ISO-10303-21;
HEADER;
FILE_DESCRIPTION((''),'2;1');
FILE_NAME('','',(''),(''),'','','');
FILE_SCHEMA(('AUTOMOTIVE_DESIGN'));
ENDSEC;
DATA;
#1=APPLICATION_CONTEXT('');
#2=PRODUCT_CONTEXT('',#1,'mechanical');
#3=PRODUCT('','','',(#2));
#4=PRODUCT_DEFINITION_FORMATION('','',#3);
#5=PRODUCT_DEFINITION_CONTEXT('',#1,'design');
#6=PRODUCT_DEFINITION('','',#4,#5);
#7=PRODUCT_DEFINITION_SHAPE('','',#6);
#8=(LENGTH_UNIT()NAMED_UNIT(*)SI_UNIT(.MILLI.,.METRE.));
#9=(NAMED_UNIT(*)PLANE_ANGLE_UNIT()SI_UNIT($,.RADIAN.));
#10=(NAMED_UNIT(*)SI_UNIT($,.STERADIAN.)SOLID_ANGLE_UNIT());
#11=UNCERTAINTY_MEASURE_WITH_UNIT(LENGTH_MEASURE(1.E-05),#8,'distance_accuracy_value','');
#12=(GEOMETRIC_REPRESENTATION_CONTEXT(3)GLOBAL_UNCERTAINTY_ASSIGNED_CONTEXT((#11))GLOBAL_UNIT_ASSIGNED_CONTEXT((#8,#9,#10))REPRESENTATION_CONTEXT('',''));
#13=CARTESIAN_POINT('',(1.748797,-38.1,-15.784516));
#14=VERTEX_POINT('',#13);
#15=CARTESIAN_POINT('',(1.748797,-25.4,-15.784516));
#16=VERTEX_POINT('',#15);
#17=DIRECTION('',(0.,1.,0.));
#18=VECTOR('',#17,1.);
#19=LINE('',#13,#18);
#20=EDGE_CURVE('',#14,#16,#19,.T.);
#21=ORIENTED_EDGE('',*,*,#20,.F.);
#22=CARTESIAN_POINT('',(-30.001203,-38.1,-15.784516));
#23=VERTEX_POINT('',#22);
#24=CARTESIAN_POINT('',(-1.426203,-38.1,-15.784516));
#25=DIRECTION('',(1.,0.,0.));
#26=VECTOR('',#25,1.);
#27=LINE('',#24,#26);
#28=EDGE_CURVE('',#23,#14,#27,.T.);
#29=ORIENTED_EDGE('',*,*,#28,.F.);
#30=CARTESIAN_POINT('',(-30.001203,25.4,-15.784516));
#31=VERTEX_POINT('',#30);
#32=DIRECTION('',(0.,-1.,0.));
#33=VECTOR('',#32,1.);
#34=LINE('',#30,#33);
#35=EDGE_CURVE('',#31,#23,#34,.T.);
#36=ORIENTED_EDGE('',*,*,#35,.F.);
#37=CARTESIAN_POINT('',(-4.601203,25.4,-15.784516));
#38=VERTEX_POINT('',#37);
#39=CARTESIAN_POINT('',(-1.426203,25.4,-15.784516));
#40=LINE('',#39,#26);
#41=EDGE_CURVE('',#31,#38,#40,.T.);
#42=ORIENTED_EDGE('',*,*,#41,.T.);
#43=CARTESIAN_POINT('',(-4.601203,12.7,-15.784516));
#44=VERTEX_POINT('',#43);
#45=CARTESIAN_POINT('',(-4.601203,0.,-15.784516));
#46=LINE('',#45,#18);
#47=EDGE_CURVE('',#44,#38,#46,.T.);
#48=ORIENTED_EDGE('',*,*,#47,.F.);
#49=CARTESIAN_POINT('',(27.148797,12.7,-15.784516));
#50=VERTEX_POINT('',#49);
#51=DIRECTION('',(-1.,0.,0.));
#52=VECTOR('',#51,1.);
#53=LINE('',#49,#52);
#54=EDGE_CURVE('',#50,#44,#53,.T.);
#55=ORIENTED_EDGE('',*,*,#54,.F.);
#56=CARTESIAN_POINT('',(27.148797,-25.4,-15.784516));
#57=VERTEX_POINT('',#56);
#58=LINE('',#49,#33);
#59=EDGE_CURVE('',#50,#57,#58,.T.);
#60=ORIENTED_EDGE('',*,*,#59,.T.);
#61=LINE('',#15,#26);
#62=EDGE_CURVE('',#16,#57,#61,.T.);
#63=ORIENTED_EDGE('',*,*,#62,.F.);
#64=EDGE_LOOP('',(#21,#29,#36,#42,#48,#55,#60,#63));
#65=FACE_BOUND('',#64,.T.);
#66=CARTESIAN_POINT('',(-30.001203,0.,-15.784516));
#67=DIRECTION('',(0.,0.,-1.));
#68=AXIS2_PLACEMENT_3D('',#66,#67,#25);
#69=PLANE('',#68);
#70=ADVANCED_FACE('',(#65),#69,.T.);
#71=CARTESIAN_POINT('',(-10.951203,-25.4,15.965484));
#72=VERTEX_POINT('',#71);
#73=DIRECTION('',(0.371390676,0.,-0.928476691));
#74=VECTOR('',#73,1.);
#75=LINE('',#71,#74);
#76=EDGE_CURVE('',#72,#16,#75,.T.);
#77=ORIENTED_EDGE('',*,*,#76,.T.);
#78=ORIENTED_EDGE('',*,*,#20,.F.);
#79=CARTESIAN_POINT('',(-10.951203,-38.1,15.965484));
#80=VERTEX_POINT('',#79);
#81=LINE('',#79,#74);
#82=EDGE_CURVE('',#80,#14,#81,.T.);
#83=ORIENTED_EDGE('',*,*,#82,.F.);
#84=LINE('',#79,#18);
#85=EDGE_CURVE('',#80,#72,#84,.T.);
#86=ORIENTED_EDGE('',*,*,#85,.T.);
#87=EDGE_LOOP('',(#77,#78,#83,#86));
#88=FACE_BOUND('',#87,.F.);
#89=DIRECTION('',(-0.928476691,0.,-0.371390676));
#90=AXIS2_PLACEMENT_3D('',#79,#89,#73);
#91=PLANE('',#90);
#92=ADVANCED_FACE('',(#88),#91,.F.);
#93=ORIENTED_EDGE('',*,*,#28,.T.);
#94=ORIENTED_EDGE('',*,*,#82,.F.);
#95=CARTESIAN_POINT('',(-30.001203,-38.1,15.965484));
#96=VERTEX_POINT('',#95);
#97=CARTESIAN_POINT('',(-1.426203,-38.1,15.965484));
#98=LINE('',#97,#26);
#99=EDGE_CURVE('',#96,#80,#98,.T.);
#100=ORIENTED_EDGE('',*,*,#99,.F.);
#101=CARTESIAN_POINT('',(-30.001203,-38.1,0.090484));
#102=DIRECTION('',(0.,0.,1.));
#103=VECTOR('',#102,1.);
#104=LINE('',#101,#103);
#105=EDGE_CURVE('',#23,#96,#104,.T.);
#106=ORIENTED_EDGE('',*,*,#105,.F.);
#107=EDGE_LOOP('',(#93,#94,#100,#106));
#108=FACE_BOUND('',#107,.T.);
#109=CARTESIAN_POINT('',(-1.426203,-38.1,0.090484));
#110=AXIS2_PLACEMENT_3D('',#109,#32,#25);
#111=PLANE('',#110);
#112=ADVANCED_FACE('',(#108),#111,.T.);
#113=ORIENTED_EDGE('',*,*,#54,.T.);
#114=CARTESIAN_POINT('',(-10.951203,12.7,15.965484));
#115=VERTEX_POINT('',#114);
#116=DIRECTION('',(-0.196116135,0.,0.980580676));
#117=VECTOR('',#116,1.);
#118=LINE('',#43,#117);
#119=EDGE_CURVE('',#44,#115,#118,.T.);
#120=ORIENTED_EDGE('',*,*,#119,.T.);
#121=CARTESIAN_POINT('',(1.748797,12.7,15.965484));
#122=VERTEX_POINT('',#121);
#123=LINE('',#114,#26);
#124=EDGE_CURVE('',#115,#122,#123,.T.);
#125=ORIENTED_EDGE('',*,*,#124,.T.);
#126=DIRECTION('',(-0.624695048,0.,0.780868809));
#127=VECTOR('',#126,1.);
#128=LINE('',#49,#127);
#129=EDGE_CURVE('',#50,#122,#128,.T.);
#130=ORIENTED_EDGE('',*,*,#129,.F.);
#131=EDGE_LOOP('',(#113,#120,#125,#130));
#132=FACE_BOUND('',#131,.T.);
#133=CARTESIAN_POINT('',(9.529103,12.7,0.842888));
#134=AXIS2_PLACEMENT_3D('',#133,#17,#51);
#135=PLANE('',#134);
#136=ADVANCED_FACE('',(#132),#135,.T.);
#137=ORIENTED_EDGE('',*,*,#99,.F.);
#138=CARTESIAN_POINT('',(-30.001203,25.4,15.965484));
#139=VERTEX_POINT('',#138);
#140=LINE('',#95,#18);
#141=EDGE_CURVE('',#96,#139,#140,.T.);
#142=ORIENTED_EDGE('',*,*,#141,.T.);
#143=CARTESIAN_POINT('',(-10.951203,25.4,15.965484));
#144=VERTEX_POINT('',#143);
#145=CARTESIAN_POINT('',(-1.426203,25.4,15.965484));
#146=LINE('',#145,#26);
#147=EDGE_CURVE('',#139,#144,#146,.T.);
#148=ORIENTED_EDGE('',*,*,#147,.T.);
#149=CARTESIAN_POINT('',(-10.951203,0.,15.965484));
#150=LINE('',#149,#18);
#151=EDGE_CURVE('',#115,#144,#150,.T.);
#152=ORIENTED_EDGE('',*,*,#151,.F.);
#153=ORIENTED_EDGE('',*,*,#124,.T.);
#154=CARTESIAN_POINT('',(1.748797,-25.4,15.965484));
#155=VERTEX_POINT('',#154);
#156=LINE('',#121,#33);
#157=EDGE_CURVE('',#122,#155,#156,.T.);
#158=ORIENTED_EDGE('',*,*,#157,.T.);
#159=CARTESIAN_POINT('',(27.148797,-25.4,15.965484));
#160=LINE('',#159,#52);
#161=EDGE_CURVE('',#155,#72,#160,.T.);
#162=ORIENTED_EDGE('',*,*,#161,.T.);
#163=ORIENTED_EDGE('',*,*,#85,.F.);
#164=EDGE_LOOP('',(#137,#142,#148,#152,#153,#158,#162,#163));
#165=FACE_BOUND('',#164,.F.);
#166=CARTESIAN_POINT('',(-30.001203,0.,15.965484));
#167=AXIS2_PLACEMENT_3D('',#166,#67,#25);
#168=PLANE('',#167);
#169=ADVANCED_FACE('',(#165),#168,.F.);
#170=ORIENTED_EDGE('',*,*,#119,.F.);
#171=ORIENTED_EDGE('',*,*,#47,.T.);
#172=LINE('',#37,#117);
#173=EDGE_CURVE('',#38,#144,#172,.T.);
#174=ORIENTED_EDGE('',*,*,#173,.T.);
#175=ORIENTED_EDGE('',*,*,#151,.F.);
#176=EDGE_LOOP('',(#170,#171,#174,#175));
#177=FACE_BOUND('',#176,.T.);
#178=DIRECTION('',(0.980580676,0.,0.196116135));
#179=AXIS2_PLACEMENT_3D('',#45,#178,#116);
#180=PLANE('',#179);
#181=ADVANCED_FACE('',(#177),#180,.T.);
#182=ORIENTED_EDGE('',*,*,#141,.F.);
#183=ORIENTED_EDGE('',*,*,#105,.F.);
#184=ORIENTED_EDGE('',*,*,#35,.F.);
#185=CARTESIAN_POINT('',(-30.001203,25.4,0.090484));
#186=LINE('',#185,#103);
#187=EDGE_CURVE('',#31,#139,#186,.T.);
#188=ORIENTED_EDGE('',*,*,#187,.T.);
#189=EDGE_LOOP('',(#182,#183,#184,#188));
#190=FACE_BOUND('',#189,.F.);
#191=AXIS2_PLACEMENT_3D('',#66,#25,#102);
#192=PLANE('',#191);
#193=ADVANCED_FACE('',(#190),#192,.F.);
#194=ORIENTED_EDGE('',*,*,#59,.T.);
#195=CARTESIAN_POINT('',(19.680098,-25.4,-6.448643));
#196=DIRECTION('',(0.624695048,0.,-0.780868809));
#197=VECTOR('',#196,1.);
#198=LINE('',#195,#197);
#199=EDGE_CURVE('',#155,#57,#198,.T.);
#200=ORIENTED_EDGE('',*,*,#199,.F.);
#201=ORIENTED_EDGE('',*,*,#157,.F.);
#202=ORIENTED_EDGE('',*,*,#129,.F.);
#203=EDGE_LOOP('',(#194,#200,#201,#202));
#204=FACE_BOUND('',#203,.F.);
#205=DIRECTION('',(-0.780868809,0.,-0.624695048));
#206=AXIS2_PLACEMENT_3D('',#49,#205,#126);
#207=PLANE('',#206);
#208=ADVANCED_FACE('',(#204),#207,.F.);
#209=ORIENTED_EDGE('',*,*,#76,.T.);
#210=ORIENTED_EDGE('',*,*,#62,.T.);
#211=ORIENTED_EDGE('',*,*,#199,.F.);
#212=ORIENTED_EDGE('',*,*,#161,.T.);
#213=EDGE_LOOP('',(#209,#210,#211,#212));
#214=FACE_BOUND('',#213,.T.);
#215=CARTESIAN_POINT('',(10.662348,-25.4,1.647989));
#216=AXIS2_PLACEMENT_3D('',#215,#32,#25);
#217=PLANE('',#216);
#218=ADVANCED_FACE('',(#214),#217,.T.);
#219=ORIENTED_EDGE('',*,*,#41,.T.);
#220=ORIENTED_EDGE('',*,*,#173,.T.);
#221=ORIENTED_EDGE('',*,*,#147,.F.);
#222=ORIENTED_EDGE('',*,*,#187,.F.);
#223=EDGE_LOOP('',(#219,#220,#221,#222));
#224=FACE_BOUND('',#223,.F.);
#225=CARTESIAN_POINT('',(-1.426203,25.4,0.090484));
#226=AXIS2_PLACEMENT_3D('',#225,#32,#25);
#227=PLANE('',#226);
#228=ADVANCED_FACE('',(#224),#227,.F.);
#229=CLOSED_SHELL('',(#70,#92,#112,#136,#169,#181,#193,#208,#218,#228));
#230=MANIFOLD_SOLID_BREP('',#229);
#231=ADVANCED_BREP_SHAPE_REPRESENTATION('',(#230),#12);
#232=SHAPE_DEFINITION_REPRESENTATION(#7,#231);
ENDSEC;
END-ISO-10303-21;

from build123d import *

# Parameters (mm, degrees)
F0_W      = 57.15
F0_H      = 31.75
F1_DEPTH  = 38.1
F3_DEPTH  = 12.7
F5_DEPTH  = 25.4
F6_DEPTH  = 12.7
F7_DEPTH  = 25.4
F9_DEPTH  = 25.4
F11_DEPTH = 50.8


with BuildPart() as f1:
    # F0 (on Front) → F1 (new body)
    with BuildSketch(Plane.XZ):
        with Locations((-1.4262031764, 0.0904835914)):
            Rectangle(F0_W, F0_H)
    extrude(amount=F1_DEPTH)

    # F2 (on face) → F3 (cut)
    with BuildSketch(Plane.XZ.offset(38.1)):
        Polygon((27.1487968236, 15.9654835914), (-10.9512031764, 15.9654835914), (1.7487968236, -15.7845164086), (27.1487968236, -15.7845164086), align=None)
    extrude(amount=-F3_DEPTH, mode=Mode.SUBTRACT)

    # F4 (on face) → F5 (join)
    with BuildSketch(Plane(origin=(0, 0, 0), x_dir=(-1, 0, 0), z_dir=(0, 1, 0))):
        Polygon((4.6012031764, -15.7845164086), (10.9512031764, 15.9654835914), (-27.1487968236, 15.9654835914), (-27.1487968236, -15.7845164086), align=None)
    extrude(amount=F5_DEPTH)

    # F6 (cut): a face of the model
    f6_faces = [f1.faces().sort_by_distance(p)[0] for p in [
        (9.638190763, 25.4, 0.5715441975),
    ]]
    extrude(f6_faces, amount=-F6_DEPTH, mode=Mode.SUBTRACT)

    # F7 (add): a face of the model
    f7_faces = [f1.faces().sort_by_distance(p)[0] for p in [
        (-18.8131079383, 0, -0.6654687896),
    ]]
    extrude(f7_faces, amount=F7_DEPTH)

    # F8 (on face) → F9 (cut)
    with BuildSketch(Plane.XZ.offset(25.4)):
        Polygon((27.1487968236, 15.9654835914), (14.4487968236, 15.9654835914), (27.1487968236, -15.7845164086), align=None)
    extrude(amount=-F9_DEPTH, mode=Mode.SUBTRACT)

    # F10 (on face) → F11 (cut)
    with BuildSketch(Plane(origin=(0, 12.7, 0), x_dir=(-1, 0, 0), z_dir=(0, 1, 0))):
        Polygon((-27.1487968236, -15.7845164086), (-1.7487968236, 15.9654835914), (-27.1487968236, 15.9654835914), align=None)
    extrude(amount=-F11_DEPTH, mode=Mode.SUBTRACT)


solid = f1.part
